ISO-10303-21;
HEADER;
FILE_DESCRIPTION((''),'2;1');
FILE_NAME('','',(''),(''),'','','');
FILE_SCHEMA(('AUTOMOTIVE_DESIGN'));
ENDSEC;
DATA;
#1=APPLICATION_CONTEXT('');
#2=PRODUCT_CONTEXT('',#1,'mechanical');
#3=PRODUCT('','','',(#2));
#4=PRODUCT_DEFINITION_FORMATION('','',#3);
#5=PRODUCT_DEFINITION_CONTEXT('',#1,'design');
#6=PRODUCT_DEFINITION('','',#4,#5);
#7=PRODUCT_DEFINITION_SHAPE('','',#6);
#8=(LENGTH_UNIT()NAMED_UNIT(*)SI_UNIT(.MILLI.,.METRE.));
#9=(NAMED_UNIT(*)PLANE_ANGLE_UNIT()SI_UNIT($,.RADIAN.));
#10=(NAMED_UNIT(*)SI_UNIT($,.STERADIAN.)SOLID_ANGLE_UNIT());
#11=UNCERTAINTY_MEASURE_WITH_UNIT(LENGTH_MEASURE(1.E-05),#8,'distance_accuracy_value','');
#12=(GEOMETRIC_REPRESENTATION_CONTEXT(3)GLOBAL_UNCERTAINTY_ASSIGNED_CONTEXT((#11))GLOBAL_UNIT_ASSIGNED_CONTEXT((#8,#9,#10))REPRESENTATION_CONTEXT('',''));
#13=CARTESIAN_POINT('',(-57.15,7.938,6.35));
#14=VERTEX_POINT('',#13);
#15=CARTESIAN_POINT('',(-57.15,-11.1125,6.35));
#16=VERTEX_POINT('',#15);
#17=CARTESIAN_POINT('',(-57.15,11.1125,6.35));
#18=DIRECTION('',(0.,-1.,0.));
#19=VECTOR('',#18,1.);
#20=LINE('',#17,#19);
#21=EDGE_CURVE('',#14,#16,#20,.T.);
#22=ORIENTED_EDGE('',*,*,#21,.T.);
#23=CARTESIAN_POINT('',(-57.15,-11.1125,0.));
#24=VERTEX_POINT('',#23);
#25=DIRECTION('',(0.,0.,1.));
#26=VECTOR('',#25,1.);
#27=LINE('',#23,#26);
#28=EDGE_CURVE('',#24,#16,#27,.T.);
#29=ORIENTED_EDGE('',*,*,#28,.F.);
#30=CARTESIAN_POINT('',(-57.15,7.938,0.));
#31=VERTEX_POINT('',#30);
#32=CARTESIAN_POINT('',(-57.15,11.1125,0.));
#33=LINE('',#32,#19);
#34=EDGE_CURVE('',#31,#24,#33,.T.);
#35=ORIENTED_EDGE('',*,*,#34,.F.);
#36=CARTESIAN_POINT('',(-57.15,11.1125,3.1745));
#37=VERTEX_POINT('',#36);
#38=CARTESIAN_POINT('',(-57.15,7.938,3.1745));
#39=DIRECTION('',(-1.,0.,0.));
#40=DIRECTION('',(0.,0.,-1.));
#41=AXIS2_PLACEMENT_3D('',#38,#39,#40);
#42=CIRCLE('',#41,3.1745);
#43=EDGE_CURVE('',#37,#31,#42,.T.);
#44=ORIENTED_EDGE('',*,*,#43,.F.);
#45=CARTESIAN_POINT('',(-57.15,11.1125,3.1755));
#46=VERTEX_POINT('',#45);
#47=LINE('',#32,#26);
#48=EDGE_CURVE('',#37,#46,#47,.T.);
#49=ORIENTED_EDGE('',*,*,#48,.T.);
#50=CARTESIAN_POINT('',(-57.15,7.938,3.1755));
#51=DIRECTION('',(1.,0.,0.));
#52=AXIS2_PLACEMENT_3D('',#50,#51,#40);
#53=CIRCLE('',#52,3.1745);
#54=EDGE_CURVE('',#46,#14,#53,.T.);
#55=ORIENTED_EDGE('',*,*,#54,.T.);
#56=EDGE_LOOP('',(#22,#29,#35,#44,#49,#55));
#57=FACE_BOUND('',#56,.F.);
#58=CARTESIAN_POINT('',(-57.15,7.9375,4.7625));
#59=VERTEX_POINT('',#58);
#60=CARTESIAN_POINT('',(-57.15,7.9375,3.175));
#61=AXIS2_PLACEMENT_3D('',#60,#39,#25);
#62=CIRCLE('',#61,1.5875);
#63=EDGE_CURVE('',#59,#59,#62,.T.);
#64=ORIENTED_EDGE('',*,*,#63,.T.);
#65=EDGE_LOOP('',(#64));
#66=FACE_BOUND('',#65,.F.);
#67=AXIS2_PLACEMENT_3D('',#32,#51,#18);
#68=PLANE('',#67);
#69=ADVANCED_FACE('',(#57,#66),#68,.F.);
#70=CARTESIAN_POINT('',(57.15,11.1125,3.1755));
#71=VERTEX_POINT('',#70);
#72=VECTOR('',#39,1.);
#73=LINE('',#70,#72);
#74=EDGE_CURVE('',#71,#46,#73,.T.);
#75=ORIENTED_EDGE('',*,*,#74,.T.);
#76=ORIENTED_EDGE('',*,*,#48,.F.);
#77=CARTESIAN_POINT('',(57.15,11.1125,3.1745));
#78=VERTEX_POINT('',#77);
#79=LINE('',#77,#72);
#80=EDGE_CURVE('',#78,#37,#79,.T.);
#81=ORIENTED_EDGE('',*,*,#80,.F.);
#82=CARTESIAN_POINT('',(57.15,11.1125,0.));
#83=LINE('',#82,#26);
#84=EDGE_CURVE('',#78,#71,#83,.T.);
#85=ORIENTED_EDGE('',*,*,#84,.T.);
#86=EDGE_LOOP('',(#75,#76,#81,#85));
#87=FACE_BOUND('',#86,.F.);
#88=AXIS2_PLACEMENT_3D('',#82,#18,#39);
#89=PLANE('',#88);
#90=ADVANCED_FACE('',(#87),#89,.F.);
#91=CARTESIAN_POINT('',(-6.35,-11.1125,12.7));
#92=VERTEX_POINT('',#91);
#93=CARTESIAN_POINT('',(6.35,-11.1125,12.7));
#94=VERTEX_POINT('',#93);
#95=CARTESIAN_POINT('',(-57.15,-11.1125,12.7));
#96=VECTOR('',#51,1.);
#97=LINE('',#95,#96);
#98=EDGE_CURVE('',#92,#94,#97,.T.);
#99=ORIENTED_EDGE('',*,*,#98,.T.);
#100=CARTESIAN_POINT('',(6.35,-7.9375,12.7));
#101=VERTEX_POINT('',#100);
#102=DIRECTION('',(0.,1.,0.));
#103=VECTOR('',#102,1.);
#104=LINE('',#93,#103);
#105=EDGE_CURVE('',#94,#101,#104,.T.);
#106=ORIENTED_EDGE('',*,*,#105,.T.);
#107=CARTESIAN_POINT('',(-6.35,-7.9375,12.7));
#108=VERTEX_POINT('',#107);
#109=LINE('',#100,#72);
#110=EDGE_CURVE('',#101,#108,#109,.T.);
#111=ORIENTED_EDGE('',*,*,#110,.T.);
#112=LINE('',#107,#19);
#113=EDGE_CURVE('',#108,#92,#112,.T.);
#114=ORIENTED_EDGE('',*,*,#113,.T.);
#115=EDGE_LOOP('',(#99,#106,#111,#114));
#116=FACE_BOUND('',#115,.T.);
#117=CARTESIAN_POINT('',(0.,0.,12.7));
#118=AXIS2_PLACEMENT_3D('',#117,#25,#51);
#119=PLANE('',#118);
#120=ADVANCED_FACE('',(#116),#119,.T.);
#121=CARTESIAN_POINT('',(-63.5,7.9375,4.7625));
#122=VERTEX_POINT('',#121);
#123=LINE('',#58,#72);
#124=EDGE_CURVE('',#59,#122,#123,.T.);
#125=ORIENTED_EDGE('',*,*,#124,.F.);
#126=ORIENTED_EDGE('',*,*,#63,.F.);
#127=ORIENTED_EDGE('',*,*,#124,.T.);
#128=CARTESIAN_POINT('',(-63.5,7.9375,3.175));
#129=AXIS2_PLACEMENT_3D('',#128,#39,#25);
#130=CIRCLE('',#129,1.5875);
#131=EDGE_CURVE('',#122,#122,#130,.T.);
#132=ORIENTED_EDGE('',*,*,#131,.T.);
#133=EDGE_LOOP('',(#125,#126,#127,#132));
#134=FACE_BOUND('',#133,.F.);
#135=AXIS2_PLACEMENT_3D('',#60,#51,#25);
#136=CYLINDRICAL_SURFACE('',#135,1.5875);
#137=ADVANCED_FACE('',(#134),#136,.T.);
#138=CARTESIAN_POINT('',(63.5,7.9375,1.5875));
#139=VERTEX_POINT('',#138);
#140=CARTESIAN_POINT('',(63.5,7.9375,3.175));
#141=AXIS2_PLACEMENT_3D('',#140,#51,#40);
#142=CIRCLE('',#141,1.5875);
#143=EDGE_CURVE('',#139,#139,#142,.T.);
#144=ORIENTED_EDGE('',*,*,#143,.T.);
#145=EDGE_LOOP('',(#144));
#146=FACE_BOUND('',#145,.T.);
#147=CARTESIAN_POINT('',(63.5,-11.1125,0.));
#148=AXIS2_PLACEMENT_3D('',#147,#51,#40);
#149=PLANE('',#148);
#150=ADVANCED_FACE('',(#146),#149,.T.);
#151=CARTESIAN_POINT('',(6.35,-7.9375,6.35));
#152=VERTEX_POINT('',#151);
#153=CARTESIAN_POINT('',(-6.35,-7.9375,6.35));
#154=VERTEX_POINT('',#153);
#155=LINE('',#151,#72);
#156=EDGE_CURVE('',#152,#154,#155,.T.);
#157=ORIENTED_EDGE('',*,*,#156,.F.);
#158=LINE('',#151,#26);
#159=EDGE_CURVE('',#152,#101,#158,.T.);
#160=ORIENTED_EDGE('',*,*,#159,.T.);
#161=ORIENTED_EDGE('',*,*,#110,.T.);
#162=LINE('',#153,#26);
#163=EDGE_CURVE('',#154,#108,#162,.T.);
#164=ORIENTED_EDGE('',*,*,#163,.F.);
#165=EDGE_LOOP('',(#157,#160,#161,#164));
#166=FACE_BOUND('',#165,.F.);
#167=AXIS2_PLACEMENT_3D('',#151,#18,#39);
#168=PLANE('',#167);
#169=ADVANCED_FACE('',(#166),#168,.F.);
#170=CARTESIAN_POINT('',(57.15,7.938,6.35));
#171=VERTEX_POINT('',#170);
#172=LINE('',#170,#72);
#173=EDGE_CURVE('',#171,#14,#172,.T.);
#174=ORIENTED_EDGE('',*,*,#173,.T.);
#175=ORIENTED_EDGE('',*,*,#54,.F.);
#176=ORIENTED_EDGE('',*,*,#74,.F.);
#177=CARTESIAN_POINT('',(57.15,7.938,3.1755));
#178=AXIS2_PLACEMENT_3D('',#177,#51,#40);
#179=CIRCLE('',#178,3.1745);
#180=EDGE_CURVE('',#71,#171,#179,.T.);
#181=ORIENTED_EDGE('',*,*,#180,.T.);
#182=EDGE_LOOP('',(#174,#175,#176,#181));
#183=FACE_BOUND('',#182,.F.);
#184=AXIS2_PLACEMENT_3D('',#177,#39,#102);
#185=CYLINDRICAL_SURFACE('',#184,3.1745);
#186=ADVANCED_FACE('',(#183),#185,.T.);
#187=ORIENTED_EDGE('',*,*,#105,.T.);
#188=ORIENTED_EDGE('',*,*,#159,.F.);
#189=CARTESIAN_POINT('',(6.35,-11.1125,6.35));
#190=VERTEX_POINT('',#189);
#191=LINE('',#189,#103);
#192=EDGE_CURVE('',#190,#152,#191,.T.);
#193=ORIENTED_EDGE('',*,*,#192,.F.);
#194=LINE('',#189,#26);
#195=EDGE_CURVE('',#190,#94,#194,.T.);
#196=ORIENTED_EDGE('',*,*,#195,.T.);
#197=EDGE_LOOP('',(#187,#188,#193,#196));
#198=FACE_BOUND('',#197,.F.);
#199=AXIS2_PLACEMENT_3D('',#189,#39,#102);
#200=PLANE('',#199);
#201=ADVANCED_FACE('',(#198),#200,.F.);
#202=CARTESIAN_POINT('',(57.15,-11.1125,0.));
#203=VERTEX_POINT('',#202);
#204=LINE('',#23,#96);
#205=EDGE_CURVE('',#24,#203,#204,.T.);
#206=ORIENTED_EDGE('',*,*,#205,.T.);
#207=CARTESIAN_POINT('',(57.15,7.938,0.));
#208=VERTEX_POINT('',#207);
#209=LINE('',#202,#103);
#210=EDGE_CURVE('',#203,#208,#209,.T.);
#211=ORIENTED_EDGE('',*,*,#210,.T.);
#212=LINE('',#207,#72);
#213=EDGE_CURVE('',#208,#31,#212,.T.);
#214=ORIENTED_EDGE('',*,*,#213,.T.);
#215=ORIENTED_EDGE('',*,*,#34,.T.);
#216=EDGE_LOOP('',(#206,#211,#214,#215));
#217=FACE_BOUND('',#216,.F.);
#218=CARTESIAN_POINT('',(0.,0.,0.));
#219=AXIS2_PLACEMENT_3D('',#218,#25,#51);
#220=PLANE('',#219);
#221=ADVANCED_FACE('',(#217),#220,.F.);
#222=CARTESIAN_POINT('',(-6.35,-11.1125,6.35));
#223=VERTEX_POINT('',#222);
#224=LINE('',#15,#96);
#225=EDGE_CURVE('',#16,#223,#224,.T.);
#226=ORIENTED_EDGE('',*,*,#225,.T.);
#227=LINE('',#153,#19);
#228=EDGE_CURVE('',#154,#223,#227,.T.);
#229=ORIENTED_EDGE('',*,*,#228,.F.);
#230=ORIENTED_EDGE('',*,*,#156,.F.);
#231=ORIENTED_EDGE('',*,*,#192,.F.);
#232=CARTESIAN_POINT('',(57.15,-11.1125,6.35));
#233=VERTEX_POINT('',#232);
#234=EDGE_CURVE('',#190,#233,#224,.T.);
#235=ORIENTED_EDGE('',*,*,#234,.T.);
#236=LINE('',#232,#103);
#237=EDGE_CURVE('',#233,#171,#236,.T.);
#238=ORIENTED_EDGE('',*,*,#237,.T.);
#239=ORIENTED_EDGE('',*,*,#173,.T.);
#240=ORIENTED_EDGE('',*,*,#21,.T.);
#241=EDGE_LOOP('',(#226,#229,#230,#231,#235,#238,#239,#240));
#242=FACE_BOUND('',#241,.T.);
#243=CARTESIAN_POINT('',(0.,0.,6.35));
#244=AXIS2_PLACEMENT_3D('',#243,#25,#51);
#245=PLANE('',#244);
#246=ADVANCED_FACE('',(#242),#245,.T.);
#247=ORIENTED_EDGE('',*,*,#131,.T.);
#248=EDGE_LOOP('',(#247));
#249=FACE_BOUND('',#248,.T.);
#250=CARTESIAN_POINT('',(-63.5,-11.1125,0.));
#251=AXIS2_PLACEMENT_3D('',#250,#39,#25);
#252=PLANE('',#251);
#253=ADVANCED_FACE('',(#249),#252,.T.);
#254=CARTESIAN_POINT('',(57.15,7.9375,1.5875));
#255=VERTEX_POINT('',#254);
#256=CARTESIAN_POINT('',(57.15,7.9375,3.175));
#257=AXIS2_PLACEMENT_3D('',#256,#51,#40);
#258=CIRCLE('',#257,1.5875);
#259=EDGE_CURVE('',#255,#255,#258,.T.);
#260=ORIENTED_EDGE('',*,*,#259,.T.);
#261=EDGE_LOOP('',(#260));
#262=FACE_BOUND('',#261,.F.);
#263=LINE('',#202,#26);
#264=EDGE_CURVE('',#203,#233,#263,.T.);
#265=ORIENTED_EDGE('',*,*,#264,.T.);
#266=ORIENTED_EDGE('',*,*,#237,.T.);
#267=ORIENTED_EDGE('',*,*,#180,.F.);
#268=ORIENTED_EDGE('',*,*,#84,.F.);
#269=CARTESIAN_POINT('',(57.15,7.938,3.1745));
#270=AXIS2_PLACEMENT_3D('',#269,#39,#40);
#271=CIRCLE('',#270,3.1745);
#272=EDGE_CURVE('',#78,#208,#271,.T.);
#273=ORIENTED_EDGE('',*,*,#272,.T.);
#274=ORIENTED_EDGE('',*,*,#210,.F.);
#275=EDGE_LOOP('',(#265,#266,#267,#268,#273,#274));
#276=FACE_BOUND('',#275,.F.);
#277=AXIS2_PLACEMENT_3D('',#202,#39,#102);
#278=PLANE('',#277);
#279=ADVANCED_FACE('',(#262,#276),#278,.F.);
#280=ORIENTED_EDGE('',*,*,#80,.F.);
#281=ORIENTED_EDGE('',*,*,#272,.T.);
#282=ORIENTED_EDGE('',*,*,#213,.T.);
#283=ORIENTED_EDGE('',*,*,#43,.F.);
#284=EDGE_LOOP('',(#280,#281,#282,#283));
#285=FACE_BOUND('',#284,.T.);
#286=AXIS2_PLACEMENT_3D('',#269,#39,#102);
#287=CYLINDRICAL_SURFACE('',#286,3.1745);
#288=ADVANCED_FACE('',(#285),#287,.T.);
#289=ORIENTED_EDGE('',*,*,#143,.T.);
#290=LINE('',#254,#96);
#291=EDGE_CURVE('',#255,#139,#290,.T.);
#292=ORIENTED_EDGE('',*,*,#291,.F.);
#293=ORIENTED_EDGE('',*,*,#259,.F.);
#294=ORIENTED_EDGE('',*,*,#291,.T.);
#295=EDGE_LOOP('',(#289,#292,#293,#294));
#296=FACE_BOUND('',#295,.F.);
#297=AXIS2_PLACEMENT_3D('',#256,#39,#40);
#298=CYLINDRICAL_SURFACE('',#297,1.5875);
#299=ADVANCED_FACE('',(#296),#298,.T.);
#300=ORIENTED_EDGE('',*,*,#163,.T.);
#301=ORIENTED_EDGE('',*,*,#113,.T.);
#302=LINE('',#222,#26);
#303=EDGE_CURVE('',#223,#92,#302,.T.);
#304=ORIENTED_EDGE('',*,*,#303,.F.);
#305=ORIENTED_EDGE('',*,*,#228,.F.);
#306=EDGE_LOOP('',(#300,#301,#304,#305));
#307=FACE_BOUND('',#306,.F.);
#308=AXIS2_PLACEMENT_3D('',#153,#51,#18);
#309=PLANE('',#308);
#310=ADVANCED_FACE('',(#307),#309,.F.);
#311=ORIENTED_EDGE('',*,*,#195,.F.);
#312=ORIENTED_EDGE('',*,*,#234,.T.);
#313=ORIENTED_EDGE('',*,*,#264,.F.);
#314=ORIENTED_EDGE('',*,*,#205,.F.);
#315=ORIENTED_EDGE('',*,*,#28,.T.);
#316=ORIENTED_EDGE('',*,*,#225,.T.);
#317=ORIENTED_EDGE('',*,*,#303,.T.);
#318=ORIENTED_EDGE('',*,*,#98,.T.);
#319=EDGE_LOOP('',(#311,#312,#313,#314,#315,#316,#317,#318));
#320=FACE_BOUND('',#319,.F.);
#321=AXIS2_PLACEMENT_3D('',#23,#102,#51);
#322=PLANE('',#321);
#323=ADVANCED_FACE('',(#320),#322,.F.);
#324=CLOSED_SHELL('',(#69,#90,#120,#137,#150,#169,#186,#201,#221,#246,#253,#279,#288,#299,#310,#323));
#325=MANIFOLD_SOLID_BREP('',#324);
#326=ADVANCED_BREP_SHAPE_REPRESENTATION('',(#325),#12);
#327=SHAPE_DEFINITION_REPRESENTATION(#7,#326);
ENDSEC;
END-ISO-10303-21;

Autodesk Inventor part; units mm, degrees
ref_plane "YZ Plane" through (0, 0, 0) normal (1, 0, 0) x (0, 1, 0)
ref_plane "XZ Plane" through (0, 0, 0) normal (0, 1, 0) x (-1, 0, 0)
ref_plane "XY Plane" through (0, 0, 0) normal (0, 0, 1) x (1, 0, 0)
sketch "Sketch1" plane through (0, 0, 0) normal (0, 0, 1) x (1, 0, 0)
  line L0 (-57.15, -11.1125) -> (57.15, -11.1125)
  line L1 (57.15, -11.1125) -> (57.15, 11.1125)
  line L2 (57.15, 11.1125) -> (-57.15, 11.1125)
  line L3 (-57.15, 11.1125) -> (-57.15, -11.1125)
  line L4 (-57.15, -11.1125) -> (57.15, 11.1125) construction
  line L5 (57.15, -11.1125) -> (-57.15, 11.1125) construction
  point P0 (0, 0)
  dimension "d0" = 114.3
  dimension "d14" = 22.225
extrude "Extrusion1" add sketch "Sketch1" along normal blind 6.35
sketch "Sketch2" plane through (57.15, -11.1125, 0) normal (1, 0, 0) x (0, 0, -1)
  circle A0 centre (-3.175, 19.05) radius 1.5875
  line L0 (0, 22.225) -> (-6.35, 22.225) projected
  point P0 (0, 11.1125)
  dimension "d3" = 3.175
  dimension "d4" = 3.175
extrude "Extrusion2" add sketch "Sketch2" along normal blind 6.35
sketch "Sketch3" plane through (-57.15, -11.1125, 0) normal (-1, 0, 0) x (0, 0, 1)
  circle A0 centre (3.175, 19.05) radius 1.5875 projected
  circle A1 centre (3.175, 19.05) radius 1.5875
  point P0 (0, 11.1125)
extrude "Extrusion3" add sketch "Sketch3" along normal blind 6.35
sketch "Sketch4" plane through (0, 0, 6.35) normal (0, 0, 1) x (1, 0, 0)
  line L0 (-57.15, -11.1125) -> (57.15, -11.1125) projected
  line L1 (-6.35, -11.1125) -> (6.35, -11.1125)
  line L2 (6.35, -11.1125) -> (6.35, -7.9375)
  line L3 (6.35, -7.9375) -> (-6.35, -7.9375)
  line L4 (-6.35, -7.9375) -> (-6.35, -11.1125)
  line L5 (-57.15, 11.1125) -> (-57.15, -11.1125) projected
  point P0 (0, 0)
  point P1 (6.35, -11.1125)
  dimension "d9" = 12.7
  dimension "d10" = 3.175
  dimension "d11" = 50.8
extrude "Extrusion4" add sketch "Sketch4" along normal blind 6.35
fillet "Fillet1" radius 3.175 2 edges at (0, 11.1125, 6.35) (0, 11.1125, 0)
properties part number "Door"
